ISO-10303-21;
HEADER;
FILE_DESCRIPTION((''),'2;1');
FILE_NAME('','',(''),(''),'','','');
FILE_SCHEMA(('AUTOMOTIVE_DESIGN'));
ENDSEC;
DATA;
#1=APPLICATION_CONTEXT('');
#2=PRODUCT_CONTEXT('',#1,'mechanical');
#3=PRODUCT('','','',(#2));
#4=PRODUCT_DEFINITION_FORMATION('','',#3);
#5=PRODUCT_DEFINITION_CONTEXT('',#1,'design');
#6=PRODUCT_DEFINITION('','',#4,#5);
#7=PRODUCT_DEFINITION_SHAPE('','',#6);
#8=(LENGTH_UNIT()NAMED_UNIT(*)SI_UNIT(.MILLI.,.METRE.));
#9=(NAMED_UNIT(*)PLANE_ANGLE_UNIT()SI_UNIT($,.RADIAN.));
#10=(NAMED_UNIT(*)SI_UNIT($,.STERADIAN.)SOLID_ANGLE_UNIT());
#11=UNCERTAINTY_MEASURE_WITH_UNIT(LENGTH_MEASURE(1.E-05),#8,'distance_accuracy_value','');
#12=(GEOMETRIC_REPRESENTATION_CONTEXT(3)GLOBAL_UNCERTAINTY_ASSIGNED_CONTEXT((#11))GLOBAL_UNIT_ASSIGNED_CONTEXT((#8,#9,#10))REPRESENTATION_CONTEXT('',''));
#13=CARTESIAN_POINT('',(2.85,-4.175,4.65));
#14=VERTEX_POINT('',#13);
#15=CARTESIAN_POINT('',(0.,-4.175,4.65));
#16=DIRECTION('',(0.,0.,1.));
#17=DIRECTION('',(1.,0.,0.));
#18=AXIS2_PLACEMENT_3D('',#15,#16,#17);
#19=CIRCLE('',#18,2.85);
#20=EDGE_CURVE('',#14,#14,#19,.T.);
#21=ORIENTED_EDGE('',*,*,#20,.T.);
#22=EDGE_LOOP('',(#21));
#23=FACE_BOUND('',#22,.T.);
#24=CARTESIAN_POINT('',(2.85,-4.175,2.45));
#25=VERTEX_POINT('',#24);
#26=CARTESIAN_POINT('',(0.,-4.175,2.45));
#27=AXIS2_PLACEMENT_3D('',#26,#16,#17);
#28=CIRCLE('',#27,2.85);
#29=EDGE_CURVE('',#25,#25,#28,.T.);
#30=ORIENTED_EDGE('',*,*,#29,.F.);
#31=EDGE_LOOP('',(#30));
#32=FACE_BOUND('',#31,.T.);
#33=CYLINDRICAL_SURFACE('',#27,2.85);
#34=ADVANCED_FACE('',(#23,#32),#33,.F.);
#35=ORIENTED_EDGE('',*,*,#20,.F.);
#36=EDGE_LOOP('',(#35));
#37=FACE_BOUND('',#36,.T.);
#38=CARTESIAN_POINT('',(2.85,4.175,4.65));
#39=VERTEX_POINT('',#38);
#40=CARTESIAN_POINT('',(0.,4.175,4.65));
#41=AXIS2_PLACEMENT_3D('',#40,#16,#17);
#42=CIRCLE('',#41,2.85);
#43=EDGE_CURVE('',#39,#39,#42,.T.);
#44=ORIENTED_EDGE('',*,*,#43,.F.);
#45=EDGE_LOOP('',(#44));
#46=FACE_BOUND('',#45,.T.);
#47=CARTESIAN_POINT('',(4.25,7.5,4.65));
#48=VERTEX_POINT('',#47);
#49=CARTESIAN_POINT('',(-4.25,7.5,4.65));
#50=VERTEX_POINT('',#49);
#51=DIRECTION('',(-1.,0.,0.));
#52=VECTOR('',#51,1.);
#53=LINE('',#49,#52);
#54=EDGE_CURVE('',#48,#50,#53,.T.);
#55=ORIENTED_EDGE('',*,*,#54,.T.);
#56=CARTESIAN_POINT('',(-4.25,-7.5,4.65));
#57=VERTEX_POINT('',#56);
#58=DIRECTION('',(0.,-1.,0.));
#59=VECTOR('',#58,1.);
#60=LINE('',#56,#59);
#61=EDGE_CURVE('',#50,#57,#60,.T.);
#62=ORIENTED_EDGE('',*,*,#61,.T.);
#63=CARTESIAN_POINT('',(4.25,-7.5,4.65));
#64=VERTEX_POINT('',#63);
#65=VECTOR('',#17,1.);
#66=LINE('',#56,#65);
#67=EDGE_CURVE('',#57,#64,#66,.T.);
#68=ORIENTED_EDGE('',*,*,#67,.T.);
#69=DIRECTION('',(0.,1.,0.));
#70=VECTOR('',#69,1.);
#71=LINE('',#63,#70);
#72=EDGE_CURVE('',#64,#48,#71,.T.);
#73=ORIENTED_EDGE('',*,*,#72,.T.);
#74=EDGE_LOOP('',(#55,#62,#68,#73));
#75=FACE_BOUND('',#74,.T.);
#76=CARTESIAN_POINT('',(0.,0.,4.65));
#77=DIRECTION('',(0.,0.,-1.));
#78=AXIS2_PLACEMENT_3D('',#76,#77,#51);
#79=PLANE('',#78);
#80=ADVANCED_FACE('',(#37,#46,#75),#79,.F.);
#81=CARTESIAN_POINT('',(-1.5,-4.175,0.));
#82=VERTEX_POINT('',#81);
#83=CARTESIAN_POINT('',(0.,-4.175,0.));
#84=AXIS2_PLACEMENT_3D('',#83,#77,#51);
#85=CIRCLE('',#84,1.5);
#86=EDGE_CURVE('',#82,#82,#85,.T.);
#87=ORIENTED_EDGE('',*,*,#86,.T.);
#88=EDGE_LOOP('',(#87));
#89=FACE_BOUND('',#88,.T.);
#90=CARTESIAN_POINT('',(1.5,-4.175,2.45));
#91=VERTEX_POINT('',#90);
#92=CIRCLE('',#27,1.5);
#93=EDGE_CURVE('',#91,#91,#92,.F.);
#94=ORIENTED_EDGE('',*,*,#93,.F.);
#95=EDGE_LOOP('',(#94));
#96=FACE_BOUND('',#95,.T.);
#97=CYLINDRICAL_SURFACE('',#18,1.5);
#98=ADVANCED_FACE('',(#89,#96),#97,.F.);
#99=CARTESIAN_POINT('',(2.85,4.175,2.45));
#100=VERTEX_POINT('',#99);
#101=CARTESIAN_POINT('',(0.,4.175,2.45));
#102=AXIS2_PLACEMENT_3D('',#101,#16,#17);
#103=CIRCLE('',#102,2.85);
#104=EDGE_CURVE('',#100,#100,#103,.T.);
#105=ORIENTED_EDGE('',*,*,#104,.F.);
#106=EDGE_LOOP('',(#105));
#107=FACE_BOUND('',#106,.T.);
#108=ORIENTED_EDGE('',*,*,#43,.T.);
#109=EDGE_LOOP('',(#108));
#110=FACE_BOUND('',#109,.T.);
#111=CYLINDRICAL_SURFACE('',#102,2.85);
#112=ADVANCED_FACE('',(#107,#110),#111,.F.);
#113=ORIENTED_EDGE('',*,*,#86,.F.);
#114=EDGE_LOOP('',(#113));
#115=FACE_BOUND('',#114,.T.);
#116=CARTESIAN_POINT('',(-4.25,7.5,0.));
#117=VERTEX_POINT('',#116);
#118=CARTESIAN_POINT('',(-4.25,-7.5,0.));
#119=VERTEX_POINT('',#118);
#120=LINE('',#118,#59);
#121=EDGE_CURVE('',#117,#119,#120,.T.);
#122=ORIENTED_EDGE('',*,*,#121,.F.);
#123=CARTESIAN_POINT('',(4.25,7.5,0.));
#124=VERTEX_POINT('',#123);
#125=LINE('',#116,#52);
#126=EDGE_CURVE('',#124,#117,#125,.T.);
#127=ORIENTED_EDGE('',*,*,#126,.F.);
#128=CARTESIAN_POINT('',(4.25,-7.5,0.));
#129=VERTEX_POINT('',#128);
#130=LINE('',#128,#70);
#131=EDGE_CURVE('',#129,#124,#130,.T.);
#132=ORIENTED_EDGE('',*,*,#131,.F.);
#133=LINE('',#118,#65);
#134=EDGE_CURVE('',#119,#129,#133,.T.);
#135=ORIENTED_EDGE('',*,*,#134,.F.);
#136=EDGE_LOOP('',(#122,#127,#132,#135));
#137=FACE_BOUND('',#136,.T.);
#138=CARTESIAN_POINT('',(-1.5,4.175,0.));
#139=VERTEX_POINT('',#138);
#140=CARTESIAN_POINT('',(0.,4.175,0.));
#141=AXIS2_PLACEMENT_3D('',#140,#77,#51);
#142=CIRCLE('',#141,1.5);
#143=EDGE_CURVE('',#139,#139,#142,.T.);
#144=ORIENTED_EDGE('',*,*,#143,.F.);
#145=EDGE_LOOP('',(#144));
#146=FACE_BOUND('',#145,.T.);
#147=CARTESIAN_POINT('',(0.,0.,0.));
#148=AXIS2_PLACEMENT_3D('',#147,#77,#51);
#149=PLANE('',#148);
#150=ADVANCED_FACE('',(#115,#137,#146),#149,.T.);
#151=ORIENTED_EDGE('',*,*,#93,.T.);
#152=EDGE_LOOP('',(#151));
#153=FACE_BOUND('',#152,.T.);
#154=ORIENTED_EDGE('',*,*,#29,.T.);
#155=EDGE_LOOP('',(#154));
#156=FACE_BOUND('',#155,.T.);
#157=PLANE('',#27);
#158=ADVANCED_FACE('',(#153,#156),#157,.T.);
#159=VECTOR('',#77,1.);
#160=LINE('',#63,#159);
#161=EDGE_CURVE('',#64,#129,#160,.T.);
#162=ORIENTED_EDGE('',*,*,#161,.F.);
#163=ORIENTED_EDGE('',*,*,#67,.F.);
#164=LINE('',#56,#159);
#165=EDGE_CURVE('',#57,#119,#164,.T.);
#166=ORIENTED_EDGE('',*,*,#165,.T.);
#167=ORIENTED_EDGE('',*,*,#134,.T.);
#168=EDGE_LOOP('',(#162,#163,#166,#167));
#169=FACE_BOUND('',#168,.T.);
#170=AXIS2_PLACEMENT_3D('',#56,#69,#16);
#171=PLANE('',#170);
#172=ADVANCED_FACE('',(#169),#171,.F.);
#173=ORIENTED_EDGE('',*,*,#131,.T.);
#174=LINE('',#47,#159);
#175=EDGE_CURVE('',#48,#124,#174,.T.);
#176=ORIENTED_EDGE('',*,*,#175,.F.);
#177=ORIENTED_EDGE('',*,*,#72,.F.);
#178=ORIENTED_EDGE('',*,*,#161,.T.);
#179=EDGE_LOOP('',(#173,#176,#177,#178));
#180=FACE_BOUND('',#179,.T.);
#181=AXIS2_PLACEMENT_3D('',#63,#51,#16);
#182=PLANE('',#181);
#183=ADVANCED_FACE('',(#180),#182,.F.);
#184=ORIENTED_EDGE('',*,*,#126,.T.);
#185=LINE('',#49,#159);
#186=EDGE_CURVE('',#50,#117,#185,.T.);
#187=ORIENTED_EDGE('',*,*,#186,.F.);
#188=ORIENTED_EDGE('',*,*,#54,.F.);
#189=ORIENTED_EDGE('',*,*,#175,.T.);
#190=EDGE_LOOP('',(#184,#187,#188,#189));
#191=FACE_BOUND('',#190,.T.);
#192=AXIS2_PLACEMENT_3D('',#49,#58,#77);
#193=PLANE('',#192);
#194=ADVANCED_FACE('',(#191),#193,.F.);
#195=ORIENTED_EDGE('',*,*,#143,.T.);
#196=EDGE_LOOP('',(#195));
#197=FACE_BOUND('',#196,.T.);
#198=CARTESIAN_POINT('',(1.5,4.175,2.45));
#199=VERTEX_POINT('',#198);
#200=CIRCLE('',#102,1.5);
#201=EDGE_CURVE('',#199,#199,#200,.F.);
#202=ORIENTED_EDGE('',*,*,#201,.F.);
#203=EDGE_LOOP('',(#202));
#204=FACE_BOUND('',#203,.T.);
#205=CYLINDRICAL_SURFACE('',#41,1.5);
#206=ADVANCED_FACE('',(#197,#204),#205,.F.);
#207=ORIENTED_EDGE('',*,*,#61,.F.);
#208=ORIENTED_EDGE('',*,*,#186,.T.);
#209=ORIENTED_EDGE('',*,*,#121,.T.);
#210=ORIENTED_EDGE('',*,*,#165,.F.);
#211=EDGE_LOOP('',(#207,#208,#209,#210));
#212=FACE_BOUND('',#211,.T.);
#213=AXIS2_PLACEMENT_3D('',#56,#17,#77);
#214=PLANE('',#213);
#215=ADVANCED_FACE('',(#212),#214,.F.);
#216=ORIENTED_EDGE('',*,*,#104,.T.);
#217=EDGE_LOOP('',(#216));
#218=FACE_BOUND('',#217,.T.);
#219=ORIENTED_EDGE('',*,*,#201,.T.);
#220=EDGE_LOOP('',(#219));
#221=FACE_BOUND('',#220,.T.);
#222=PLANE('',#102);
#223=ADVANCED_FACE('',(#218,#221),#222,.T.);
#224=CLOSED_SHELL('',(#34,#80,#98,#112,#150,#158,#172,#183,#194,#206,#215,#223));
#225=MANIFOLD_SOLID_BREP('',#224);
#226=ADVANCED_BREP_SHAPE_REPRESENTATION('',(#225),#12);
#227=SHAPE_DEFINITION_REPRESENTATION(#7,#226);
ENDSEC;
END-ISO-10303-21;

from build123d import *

# Parameters (mm, degrees)
SKETCH1_W                 = 8.5
SKETCH1_H                 = 15
BOSS_EXTRUDE1_DEPTH       = 4.65
F_3_0MM_DOWEL_HOLE1_D     = 3
F_3_0MM_DOWEL_HOLE1_DEPTH = 5
F_3_0MM_DOWEL_HOLE1_TIP   = 0.901290929
SKETCH2_R                 = 2.85
CUT_EXTRUDE2_DEPTH        = 2.2


with BuildPart() as part:
    # Sketch1 → Boss-Extrude1 (new body)
    with BuildSketch(Plane.XY):
        Rectangle(SKETCH1_W, SKETCH1_H)
    extrude(amount=BOSS_EXTRUDE1_DEPTH)

    # Ø3.0mm Dowel Hole1
    with Locations(Plane.XY.offset(4.65)):
        with Locations((0, 4.175), (0, -4.175)):
            Hole(F_3_0MM_DOWEL_HOLE1_D / 2, depth=F_3_0MM_DOWEL_HOLE1_DEPTH)
            with Locations((0, 0, -(F_3_0MM_DOWEL_HOLE1_DEPTH + F_3_0MM_DOWEL_HOLE1_TIP / 2))):  # 118° drill point
                Cone(0, F_3_0MM_DOWEL_HOLE1_D / 2, F_3_0MM_DOWEL_HOLE1_TIP, mode=Mode.SUBTRACT)

    # Sketch2 → Cut-Extrude2 (cut)
    with BuildSketch(Plane.XY.offset(4.65)):
        with Locations((0, -4.175)):
            Circle(SKETCH2_R)
        with Locations((0, 4.175)):
            Circle(SKETCH2_R)
    extrude(amount=-CUT_EXTRUDE2_DEPTH, mode=Mode.SUBTRACT)


solid = part.part
